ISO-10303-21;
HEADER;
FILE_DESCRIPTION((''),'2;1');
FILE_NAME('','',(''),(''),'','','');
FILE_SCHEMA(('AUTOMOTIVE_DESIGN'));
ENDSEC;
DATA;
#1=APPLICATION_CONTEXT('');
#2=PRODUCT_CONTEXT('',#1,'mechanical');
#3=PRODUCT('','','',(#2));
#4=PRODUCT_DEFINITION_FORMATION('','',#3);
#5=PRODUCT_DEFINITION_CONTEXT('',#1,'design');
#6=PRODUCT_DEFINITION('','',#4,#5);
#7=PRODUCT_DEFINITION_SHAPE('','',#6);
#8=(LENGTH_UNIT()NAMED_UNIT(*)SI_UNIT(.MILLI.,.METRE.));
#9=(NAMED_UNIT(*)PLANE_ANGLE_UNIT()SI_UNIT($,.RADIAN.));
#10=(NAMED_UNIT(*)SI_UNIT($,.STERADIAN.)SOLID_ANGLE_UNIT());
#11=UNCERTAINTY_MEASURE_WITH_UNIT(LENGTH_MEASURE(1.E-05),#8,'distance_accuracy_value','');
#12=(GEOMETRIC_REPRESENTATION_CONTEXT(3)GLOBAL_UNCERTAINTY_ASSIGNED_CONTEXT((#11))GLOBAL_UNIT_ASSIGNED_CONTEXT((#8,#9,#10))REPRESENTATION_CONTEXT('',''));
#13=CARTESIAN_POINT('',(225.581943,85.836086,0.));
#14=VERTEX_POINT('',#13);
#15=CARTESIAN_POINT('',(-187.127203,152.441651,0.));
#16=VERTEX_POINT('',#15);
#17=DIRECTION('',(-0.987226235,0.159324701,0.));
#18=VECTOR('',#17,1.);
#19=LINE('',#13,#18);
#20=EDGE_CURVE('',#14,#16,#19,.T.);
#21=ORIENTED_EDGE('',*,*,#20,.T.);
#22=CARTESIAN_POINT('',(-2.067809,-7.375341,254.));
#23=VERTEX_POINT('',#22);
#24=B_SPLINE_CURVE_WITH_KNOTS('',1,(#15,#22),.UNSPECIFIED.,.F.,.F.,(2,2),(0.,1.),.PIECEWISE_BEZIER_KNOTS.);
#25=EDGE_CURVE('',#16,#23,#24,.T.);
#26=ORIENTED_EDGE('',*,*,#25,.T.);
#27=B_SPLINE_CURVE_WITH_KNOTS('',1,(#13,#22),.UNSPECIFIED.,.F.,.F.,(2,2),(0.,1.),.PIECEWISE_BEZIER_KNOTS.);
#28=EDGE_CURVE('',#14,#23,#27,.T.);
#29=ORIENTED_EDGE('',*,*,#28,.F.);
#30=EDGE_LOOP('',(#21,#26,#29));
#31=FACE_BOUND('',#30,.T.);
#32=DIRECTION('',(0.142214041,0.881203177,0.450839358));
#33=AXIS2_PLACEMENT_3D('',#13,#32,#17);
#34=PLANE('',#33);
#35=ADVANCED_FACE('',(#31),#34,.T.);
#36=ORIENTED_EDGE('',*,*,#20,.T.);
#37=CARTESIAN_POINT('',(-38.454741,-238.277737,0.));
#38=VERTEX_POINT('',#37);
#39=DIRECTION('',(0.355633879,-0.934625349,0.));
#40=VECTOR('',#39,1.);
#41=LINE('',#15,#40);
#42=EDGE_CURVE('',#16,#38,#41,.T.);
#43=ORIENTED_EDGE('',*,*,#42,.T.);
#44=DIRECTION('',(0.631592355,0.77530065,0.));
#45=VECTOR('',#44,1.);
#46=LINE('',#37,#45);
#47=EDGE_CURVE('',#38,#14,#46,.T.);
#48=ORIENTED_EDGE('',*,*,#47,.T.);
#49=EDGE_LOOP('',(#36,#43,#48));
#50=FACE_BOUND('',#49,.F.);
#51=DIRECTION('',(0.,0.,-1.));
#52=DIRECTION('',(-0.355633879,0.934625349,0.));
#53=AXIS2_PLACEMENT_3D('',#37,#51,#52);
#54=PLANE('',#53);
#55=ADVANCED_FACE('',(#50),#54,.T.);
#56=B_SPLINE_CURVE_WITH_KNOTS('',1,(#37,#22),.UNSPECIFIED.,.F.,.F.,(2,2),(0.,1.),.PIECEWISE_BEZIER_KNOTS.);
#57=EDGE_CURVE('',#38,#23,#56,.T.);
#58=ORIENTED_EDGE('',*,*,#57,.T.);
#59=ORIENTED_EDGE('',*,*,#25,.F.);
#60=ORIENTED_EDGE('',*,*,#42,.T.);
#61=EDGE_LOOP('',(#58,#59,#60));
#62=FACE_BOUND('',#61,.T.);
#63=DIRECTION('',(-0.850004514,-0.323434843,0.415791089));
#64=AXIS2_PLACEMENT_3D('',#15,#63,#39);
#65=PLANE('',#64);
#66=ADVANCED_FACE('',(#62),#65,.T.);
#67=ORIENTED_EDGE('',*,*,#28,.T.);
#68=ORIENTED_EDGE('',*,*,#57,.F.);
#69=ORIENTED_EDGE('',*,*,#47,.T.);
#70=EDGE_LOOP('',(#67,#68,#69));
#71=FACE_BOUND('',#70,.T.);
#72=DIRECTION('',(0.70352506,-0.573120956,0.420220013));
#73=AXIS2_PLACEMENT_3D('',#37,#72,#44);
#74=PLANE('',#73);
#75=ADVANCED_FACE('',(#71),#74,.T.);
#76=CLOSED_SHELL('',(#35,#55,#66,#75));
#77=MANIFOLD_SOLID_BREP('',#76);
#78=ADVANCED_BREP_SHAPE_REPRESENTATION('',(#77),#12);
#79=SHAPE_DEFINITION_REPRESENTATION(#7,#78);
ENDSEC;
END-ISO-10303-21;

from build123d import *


with BuildPart() as f3:
    # F0 (on Top) → F3 section 0
    with BuildSketch(Plane.XY, mode=Mode.PRIVATE) as f3_s0:
        Polygon((-38.454741, -238.277737), (225.581943, 85.836086), (-187.127203, 152.441651), align=None)
    loft([f3_s0.sketch, Vertex(-2.067809, -7.375341, 254)])


solid = f3.part
